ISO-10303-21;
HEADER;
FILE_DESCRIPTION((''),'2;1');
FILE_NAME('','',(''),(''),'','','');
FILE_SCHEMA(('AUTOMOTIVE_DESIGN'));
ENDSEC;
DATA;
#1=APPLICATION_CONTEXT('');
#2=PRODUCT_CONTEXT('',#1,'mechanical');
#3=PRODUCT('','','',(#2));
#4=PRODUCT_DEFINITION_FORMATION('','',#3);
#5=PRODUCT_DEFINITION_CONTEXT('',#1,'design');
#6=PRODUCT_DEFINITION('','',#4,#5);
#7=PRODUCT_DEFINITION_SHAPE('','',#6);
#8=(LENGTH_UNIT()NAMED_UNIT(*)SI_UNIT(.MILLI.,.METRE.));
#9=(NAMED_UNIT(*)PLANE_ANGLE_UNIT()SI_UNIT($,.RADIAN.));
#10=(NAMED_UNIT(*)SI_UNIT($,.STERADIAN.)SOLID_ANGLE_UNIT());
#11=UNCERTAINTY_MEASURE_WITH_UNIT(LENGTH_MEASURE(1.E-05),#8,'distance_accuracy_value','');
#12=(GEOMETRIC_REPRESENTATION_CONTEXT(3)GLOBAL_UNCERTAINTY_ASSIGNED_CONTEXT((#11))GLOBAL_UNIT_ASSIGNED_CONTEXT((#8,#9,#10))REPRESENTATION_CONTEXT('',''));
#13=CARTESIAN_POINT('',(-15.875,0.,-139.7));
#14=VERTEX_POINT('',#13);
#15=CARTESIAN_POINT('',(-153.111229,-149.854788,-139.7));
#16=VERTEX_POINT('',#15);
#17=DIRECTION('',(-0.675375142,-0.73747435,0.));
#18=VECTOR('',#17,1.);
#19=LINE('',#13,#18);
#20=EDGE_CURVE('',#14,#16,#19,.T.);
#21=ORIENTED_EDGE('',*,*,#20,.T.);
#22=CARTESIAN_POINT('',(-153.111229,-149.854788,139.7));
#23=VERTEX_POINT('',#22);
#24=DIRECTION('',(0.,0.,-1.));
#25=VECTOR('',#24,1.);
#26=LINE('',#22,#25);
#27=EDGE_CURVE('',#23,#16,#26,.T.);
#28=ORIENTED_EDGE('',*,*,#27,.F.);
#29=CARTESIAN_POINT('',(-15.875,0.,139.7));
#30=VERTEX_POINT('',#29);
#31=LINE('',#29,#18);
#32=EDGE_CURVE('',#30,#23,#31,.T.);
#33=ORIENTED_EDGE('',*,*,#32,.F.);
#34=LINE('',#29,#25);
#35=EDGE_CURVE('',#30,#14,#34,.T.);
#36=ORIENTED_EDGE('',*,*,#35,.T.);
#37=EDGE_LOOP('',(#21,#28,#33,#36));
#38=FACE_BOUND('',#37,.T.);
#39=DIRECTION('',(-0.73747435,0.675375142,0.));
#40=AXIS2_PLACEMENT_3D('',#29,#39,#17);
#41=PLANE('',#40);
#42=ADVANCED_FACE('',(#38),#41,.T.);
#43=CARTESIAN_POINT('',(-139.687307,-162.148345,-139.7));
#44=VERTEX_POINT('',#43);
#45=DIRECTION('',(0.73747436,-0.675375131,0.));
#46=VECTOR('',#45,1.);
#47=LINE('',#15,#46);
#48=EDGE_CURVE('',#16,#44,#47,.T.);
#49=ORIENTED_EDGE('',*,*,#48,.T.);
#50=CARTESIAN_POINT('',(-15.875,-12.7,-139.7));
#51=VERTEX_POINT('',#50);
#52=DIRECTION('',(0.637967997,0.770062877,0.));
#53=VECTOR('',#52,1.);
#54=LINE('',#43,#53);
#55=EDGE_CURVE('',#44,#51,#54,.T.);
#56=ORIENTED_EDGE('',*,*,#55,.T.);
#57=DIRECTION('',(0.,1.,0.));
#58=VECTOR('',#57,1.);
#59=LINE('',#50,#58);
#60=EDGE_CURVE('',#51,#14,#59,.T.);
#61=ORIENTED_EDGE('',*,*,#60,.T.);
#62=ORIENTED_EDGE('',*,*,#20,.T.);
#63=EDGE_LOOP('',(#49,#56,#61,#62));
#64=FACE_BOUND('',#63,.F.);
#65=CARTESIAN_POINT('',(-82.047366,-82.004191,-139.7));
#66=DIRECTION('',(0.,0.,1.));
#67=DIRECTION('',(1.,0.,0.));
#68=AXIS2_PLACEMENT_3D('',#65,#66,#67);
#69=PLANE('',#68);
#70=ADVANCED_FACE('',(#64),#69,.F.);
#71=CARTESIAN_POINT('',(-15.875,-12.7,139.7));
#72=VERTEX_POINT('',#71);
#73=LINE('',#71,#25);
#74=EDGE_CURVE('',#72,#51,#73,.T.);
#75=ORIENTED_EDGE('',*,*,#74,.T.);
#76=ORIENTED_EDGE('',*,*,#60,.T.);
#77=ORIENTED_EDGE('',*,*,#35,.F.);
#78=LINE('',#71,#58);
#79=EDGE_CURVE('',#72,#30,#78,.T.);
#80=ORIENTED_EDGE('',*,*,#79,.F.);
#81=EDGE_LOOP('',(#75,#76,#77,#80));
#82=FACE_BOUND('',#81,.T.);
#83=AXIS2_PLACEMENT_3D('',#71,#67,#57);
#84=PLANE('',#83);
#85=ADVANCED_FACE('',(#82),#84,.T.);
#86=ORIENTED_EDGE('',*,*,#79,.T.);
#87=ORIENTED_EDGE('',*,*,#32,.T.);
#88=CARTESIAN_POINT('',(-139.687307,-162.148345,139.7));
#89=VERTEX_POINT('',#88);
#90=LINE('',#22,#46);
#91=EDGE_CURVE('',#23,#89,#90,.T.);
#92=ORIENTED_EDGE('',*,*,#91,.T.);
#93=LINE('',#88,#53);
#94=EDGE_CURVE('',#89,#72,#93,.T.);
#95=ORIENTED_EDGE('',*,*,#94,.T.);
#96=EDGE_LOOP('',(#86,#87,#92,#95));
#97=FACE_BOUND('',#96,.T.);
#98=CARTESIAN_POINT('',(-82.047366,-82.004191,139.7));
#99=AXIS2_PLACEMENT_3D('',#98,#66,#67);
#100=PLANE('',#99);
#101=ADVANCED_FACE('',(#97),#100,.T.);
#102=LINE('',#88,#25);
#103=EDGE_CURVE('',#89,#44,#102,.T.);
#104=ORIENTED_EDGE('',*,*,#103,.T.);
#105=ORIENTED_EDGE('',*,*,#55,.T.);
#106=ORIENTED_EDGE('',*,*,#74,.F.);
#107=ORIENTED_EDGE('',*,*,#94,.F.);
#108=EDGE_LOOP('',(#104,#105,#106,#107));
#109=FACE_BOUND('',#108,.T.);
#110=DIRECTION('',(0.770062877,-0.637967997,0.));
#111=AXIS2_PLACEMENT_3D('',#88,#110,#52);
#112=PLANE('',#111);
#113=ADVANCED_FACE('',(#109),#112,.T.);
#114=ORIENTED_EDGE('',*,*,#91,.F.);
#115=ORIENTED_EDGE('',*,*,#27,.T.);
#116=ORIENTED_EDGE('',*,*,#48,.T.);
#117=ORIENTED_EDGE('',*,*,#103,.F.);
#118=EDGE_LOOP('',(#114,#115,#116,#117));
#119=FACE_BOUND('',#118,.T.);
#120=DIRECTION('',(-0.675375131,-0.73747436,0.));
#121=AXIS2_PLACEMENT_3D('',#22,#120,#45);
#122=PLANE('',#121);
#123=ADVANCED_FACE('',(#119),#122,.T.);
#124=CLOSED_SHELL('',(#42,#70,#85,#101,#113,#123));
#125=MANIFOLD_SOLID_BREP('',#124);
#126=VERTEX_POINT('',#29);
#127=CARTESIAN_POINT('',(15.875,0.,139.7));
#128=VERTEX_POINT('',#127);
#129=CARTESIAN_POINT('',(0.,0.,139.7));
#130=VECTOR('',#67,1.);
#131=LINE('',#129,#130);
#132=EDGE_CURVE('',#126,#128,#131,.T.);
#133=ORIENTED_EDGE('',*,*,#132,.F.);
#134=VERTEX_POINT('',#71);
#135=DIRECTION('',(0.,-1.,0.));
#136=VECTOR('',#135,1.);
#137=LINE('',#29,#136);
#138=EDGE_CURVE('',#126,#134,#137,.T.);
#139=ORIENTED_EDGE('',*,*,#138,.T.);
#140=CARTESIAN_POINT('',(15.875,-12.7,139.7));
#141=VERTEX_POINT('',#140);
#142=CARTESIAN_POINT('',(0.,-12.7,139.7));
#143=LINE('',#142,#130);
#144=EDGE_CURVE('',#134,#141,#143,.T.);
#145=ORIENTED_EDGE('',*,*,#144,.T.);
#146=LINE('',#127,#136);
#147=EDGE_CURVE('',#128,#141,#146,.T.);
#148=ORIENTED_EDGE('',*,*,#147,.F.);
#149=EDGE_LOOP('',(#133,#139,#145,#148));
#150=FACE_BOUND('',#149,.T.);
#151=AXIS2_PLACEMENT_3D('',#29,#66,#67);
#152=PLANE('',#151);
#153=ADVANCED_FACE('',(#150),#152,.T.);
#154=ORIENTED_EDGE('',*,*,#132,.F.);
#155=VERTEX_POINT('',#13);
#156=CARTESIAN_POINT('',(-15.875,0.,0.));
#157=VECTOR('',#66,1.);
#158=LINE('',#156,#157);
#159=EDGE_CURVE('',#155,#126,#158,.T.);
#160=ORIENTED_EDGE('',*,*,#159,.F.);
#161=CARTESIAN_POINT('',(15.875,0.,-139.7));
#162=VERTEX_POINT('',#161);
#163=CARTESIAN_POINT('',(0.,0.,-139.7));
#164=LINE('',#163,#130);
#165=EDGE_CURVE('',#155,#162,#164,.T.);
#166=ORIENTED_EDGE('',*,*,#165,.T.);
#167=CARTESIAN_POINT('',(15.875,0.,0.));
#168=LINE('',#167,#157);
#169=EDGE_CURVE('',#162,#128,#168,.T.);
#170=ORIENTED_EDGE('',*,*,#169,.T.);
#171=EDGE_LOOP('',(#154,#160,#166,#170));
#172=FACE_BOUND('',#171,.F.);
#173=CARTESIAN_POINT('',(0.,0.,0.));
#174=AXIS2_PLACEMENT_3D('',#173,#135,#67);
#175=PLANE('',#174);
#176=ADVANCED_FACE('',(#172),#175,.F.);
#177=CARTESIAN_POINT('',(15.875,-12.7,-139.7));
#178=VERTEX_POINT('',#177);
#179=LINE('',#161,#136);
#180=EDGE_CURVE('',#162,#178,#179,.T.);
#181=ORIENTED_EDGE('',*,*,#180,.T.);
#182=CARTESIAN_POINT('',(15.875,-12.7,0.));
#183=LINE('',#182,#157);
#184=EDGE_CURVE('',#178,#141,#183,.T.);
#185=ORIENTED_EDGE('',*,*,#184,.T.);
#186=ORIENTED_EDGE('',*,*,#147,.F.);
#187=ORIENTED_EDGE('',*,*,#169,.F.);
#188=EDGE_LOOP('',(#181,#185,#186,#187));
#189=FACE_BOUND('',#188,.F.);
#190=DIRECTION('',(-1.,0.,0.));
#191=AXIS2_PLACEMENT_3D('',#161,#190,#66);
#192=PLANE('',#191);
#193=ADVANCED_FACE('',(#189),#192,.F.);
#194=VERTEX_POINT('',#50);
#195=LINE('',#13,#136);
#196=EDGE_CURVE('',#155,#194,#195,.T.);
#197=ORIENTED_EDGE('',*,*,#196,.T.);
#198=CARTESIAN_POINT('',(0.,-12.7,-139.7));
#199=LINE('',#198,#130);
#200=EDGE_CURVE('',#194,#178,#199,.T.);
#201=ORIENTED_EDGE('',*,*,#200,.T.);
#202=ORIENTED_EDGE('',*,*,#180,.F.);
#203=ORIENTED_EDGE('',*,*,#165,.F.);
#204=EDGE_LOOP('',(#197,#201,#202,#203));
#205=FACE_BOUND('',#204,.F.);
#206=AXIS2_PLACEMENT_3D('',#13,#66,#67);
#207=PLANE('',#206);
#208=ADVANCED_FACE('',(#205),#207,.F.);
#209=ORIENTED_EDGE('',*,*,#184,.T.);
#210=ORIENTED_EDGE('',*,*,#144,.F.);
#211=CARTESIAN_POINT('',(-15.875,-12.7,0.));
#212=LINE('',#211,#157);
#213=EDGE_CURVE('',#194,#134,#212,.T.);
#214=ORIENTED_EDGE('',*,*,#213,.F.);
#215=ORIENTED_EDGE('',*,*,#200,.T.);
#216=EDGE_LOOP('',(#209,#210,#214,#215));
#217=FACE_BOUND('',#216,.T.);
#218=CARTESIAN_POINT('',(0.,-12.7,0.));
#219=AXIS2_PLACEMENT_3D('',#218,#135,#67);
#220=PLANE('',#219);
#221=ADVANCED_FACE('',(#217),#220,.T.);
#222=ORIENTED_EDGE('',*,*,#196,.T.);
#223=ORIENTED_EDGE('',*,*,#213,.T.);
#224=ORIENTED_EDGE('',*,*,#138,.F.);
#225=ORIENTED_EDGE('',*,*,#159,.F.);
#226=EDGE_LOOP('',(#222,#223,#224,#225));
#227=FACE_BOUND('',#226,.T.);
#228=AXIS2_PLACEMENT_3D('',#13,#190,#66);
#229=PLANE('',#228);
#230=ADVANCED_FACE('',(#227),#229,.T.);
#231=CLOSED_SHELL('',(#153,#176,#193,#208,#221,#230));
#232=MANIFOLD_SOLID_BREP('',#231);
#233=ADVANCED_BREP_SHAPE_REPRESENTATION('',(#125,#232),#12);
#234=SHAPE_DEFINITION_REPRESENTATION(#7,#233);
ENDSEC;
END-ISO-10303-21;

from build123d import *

# Parameters (mm, degrees)
F0_W     = 31.75
F0_H     = 279.4
F1_DEPTH = 12.7
F3_DEPTH = 279.4


with BuildPart() as f1:
    # F0 (on Front) → F1 (new body)
    with BuildSketch(Plane.XZ):
        Rectangle(F0_W, F0_H)
    extrude(amount=F1_DEPTH)


with BuildPart() as f3:
    # F2 (on face) → F3 (new body)
    with BuildSketch(Plane.XY.offset(139.7)):
        Polygon((-15.875, -12.7), (-15.875, 0), (-153.111229, -149.854788), (-139.687307, -162.148345), align=None)
    extrude(amount=-F3_DEPTH)


solid = Compound([f1.part, f3.part])
